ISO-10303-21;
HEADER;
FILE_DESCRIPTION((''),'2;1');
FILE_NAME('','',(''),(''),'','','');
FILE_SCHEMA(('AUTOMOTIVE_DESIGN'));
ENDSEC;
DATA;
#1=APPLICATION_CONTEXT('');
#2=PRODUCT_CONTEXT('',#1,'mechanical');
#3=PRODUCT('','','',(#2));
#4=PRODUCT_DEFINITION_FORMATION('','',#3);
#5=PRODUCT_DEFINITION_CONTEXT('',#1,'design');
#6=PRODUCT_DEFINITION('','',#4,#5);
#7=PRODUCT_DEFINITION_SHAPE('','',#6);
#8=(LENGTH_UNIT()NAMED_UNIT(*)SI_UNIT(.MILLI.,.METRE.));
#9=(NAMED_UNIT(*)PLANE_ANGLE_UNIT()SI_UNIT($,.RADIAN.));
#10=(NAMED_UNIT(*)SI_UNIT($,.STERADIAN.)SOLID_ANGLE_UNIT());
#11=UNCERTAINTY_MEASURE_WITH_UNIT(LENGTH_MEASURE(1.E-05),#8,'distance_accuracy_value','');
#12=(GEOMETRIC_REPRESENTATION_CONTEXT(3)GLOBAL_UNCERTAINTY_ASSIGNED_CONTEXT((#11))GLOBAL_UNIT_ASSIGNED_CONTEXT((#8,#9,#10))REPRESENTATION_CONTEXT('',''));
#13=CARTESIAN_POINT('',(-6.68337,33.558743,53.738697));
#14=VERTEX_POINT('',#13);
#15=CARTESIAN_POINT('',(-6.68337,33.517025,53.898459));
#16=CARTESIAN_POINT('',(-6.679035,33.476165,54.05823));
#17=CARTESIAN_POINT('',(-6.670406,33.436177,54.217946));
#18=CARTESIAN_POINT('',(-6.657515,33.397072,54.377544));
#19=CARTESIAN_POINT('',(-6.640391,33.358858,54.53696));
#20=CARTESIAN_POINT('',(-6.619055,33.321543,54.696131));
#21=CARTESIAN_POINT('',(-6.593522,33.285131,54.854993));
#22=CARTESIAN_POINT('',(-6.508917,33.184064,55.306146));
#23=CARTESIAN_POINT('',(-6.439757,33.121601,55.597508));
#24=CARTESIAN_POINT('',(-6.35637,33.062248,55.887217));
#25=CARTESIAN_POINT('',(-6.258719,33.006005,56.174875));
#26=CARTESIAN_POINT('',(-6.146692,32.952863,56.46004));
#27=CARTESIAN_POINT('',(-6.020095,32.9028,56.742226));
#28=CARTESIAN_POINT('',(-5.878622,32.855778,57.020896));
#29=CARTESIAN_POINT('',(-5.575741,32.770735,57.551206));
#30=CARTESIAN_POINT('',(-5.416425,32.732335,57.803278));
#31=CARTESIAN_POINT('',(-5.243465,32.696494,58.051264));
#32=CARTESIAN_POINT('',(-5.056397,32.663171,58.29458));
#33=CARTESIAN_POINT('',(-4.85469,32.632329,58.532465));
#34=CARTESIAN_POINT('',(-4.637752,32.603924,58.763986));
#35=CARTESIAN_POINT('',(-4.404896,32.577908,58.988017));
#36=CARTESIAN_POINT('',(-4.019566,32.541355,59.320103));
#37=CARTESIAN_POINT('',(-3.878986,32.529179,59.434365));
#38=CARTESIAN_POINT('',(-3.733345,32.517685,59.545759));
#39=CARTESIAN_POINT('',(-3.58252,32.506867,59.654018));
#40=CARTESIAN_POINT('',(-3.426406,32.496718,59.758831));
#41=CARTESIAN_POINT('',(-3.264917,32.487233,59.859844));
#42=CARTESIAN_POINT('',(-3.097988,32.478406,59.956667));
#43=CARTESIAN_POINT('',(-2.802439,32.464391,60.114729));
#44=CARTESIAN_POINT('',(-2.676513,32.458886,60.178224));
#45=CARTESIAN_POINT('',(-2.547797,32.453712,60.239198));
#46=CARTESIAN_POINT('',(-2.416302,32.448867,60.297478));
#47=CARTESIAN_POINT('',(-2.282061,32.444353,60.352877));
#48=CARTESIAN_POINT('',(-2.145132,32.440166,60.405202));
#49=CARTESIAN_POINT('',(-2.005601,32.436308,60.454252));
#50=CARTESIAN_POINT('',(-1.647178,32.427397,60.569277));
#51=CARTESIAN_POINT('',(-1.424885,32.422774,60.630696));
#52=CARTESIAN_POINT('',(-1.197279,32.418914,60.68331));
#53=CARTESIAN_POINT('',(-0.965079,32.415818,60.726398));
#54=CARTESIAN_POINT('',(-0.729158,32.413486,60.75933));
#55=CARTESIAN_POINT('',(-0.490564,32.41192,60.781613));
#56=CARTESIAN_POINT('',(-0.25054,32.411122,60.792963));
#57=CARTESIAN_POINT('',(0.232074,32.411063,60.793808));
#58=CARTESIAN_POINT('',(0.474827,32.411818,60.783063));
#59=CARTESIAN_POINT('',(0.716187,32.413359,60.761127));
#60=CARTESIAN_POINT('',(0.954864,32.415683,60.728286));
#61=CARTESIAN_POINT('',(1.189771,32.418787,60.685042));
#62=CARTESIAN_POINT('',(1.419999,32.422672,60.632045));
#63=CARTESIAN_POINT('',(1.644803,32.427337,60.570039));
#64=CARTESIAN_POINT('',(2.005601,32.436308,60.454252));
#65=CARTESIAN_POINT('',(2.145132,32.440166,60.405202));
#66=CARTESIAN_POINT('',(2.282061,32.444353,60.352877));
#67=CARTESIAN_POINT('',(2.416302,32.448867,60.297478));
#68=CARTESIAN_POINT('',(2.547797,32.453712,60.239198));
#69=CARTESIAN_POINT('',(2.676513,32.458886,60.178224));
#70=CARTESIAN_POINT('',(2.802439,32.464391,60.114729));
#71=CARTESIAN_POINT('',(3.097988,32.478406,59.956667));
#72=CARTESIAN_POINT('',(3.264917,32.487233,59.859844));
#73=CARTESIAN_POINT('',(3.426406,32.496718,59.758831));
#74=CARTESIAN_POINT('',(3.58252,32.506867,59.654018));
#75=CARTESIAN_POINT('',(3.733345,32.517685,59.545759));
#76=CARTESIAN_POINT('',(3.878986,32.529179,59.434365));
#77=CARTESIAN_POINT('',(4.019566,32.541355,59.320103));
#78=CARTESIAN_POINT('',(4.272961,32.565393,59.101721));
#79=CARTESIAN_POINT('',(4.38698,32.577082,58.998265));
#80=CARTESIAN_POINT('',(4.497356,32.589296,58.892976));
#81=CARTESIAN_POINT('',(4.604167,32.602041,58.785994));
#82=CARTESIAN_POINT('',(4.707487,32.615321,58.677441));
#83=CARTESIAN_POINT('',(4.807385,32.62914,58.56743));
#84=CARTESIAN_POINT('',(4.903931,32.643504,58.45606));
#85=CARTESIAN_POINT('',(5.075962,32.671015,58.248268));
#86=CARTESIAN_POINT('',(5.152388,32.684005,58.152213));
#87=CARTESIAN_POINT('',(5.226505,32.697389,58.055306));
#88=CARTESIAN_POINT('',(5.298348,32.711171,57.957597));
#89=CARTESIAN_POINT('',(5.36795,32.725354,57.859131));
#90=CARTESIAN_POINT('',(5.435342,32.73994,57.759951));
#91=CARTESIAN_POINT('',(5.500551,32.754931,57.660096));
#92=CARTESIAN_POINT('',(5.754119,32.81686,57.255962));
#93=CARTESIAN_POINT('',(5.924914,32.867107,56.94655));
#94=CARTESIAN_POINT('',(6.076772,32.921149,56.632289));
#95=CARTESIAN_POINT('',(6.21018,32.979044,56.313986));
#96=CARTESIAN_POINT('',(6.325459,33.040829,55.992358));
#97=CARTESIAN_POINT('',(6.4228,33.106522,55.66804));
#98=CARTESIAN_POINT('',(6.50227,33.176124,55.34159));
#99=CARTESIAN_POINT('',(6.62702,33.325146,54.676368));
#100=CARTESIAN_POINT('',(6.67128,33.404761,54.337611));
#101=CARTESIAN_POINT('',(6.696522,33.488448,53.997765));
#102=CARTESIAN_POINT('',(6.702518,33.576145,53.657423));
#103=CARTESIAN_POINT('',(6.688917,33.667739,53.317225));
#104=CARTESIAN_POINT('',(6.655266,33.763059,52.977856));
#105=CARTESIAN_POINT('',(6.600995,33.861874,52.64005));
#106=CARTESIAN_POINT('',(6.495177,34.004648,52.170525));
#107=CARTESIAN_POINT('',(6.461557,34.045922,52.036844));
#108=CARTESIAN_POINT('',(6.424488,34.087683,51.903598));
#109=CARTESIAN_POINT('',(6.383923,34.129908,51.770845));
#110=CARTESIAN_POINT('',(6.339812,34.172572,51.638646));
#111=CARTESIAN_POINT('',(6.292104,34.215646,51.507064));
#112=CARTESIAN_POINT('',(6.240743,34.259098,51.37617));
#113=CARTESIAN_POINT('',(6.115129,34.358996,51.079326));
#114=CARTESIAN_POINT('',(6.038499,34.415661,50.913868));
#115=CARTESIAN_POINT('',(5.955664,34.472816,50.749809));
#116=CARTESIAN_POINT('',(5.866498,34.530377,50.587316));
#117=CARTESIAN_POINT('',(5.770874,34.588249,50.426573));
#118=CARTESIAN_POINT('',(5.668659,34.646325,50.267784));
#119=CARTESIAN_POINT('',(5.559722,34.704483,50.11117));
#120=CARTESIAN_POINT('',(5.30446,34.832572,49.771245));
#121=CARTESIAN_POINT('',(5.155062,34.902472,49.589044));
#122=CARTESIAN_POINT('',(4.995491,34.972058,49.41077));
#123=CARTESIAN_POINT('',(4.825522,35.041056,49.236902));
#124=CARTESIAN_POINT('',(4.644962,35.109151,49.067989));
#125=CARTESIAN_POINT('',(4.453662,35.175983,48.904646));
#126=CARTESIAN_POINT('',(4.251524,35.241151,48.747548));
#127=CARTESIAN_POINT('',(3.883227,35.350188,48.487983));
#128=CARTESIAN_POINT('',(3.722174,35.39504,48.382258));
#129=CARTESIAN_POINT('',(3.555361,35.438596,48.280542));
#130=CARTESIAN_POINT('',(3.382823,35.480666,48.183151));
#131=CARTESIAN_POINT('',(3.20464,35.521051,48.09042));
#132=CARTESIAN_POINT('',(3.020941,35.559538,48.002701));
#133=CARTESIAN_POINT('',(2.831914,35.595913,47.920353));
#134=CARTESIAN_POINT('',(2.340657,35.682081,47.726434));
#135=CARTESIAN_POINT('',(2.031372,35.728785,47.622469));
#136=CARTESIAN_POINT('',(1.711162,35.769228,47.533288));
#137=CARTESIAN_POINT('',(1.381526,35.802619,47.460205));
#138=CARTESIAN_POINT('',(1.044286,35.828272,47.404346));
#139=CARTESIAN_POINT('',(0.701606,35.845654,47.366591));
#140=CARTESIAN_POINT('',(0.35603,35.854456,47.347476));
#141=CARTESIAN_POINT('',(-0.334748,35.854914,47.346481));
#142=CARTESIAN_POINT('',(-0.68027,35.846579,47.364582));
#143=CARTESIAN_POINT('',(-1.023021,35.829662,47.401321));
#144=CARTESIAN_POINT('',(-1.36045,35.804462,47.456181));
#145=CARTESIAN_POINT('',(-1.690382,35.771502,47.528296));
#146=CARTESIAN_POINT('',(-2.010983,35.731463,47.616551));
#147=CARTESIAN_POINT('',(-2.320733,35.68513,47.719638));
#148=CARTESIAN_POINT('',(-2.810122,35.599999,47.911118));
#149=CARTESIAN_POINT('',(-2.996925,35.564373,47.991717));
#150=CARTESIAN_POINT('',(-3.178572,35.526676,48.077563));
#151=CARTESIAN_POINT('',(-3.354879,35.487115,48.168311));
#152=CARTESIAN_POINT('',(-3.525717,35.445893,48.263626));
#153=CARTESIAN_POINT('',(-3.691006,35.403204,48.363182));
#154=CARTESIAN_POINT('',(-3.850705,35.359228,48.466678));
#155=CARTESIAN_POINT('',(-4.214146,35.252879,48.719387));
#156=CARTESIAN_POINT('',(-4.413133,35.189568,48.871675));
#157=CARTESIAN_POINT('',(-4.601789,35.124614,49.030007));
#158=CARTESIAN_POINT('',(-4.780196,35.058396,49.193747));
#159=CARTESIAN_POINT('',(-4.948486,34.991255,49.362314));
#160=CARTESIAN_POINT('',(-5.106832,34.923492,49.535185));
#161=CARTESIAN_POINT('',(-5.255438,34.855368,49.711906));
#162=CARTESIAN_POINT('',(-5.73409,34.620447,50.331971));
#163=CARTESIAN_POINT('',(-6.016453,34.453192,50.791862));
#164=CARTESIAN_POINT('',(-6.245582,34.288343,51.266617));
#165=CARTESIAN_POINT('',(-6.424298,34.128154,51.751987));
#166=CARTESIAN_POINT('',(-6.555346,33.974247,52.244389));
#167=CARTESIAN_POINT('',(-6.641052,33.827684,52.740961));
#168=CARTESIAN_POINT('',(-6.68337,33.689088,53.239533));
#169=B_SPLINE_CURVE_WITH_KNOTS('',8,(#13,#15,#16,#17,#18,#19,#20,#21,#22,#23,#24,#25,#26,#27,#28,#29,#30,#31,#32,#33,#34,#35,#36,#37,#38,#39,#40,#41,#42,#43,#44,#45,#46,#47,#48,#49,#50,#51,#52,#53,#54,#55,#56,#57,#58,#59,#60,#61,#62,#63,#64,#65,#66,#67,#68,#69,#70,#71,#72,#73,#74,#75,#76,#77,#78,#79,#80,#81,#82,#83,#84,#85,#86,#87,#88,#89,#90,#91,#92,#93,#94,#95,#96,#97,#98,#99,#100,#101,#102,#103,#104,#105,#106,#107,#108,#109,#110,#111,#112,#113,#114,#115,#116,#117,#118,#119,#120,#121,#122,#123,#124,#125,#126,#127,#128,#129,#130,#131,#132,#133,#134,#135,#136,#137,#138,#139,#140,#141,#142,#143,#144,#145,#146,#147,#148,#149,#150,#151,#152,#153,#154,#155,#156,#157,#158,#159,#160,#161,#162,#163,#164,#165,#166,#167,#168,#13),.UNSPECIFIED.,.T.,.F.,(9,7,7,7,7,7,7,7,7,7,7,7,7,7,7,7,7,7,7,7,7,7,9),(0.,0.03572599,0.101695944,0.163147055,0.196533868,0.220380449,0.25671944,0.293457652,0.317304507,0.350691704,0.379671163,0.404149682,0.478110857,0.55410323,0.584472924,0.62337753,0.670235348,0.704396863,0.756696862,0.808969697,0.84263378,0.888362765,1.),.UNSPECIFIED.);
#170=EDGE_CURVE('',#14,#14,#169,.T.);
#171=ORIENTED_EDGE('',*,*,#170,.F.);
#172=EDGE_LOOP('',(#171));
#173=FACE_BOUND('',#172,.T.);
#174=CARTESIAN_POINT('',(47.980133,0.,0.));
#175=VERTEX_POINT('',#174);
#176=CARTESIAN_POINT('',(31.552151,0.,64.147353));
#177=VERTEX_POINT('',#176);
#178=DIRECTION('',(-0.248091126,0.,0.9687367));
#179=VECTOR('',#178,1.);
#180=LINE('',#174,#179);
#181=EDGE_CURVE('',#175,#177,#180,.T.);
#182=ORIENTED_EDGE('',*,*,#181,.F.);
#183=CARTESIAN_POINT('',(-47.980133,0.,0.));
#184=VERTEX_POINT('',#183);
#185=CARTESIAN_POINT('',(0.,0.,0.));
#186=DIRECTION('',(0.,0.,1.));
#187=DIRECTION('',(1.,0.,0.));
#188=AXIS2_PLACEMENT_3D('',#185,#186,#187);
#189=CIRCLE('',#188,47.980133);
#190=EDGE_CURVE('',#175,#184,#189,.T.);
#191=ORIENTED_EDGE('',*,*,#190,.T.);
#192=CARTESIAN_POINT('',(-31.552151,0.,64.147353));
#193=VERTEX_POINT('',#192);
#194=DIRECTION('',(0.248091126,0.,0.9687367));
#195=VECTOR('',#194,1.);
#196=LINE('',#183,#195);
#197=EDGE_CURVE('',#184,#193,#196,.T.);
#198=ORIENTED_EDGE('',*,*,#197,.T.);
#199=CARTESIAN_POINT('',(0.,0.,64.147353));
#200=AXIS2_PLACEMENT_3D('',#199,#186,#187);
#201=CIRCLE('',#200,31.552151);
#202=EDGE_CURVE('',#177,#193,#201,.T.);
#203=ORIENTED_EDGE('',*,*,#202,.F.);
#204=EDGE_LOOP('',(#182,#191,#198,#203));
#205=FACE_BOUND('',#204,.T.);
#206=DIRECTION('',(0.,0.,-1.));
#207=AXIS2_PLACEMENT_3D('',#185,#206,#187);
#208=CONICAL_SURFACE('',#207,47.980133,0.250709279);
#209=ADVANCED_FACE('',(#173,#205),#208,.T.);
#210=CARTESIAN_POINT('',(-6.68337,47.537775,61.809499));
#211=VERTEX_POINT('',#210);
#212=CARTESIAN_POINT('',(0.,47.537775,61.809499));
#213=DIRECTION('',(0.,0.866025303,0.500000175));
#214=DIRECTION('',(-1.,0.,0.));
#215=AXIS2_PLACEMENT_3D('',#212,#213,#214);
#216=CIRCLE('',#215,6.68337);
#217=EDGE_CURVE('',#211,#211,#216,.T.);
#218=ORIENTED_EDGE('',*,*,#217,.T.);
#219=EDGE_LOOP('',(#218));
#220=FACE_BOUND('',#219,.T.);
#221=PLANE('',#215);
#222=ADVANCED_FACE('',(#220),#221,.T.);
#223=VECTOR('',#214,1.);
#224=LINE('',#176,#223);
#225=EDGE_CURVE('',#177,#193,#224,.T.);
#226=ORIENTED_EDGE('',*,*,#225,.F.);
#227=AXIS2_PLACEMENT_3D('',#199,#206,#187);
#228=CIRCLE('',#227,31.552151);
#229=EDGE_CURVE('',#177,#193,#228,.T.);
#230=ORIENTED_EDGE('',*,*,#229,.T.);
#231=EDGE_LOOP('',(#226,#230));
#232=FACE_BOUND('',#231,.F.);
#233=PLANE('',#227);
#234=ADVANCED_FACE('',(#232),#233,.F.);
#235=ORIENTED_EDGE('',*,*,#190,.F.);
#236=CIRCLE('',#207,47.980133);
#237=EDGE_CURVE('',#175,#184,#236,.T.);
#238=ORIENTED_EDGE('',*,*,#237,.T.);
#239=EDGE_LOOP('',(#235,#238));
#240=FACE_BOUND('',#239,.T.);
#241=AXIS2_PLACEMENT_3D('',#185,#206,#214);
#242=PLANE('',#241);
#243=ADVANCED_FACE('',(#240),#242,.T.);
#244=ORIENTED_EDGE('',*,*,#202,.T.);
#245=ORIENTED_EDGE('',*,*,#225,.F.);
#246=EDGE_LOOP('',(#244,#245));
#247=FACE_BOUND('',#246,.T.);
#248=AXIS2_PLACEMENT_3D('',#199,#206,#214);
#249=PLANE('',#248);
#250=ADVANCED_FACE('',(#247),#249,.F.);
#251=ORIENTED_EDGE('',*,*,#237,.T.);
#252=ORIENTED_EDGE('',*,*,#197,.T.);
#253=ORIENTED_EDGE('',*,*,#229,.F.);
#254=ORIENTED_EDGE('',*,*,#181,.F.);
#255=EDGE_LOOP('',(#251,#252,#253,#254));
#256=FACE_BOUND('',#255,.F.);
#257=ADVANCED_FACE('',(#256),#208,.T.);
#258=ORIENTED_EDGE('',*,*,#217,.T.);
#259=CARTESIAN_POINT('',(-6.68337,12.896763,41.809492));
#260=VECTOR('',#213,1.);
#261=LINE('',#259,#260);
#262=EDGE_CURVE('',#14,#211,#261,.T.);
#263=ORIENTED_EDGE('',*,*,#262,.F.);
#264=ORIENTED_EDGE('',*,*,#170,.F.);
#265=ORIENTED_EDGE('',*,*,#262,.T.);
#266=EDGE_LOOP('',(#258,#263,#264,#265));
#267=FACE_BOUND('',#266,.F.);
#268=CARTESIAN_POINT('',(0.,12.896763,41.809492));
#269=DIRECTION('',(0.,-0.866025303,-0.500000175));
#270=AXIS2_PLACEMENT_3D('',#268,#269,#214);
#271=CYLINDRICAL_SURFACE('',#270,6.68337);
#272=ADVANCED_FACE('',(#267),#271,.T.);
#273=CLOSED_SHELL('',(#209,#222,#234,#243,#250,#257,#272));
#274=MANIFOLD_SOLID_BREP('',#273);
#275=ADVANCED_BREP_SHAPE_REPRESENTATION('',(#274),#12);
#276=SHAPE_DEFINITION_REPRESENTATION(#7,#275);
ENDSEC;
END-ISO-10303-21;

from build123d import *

# Parameters (mm, degrees)
F1_ANGLE = 180
F4_R     = 6.68337
F5_DEPTH = 40


with BuildPart() as f1:
    # F0 (on Front) → F1 (revolve)
    with BuildSketch(Plane.XZ):
        Polygon((0, 64.147353), (0, 0), (47.980133, 0), (31.552151, 64.147353), align=None)
    revolve(axis=Axis((0, 0, 32.073677), (0, 0, -1)), revolution_arc=F1_ANGLE)

    # F3: F1 across plane


with BuildPart() as f1_1:
    add(f1.part)
    add(f1.part.mirror(Plane.XZ))

    # F4 (on face) → F5 (join)
    with BuildSketch(Plane(origin=(0, 27.776619, 16.036838), x_dir=(-1, 0, 0), z_dir=(0, 0.866025, 0.5))):
        with Locations((0, 29.759701)):
            Circle(F4_R)
    extrude(amount=F5_DEPTH)


solid = f1_1.part
